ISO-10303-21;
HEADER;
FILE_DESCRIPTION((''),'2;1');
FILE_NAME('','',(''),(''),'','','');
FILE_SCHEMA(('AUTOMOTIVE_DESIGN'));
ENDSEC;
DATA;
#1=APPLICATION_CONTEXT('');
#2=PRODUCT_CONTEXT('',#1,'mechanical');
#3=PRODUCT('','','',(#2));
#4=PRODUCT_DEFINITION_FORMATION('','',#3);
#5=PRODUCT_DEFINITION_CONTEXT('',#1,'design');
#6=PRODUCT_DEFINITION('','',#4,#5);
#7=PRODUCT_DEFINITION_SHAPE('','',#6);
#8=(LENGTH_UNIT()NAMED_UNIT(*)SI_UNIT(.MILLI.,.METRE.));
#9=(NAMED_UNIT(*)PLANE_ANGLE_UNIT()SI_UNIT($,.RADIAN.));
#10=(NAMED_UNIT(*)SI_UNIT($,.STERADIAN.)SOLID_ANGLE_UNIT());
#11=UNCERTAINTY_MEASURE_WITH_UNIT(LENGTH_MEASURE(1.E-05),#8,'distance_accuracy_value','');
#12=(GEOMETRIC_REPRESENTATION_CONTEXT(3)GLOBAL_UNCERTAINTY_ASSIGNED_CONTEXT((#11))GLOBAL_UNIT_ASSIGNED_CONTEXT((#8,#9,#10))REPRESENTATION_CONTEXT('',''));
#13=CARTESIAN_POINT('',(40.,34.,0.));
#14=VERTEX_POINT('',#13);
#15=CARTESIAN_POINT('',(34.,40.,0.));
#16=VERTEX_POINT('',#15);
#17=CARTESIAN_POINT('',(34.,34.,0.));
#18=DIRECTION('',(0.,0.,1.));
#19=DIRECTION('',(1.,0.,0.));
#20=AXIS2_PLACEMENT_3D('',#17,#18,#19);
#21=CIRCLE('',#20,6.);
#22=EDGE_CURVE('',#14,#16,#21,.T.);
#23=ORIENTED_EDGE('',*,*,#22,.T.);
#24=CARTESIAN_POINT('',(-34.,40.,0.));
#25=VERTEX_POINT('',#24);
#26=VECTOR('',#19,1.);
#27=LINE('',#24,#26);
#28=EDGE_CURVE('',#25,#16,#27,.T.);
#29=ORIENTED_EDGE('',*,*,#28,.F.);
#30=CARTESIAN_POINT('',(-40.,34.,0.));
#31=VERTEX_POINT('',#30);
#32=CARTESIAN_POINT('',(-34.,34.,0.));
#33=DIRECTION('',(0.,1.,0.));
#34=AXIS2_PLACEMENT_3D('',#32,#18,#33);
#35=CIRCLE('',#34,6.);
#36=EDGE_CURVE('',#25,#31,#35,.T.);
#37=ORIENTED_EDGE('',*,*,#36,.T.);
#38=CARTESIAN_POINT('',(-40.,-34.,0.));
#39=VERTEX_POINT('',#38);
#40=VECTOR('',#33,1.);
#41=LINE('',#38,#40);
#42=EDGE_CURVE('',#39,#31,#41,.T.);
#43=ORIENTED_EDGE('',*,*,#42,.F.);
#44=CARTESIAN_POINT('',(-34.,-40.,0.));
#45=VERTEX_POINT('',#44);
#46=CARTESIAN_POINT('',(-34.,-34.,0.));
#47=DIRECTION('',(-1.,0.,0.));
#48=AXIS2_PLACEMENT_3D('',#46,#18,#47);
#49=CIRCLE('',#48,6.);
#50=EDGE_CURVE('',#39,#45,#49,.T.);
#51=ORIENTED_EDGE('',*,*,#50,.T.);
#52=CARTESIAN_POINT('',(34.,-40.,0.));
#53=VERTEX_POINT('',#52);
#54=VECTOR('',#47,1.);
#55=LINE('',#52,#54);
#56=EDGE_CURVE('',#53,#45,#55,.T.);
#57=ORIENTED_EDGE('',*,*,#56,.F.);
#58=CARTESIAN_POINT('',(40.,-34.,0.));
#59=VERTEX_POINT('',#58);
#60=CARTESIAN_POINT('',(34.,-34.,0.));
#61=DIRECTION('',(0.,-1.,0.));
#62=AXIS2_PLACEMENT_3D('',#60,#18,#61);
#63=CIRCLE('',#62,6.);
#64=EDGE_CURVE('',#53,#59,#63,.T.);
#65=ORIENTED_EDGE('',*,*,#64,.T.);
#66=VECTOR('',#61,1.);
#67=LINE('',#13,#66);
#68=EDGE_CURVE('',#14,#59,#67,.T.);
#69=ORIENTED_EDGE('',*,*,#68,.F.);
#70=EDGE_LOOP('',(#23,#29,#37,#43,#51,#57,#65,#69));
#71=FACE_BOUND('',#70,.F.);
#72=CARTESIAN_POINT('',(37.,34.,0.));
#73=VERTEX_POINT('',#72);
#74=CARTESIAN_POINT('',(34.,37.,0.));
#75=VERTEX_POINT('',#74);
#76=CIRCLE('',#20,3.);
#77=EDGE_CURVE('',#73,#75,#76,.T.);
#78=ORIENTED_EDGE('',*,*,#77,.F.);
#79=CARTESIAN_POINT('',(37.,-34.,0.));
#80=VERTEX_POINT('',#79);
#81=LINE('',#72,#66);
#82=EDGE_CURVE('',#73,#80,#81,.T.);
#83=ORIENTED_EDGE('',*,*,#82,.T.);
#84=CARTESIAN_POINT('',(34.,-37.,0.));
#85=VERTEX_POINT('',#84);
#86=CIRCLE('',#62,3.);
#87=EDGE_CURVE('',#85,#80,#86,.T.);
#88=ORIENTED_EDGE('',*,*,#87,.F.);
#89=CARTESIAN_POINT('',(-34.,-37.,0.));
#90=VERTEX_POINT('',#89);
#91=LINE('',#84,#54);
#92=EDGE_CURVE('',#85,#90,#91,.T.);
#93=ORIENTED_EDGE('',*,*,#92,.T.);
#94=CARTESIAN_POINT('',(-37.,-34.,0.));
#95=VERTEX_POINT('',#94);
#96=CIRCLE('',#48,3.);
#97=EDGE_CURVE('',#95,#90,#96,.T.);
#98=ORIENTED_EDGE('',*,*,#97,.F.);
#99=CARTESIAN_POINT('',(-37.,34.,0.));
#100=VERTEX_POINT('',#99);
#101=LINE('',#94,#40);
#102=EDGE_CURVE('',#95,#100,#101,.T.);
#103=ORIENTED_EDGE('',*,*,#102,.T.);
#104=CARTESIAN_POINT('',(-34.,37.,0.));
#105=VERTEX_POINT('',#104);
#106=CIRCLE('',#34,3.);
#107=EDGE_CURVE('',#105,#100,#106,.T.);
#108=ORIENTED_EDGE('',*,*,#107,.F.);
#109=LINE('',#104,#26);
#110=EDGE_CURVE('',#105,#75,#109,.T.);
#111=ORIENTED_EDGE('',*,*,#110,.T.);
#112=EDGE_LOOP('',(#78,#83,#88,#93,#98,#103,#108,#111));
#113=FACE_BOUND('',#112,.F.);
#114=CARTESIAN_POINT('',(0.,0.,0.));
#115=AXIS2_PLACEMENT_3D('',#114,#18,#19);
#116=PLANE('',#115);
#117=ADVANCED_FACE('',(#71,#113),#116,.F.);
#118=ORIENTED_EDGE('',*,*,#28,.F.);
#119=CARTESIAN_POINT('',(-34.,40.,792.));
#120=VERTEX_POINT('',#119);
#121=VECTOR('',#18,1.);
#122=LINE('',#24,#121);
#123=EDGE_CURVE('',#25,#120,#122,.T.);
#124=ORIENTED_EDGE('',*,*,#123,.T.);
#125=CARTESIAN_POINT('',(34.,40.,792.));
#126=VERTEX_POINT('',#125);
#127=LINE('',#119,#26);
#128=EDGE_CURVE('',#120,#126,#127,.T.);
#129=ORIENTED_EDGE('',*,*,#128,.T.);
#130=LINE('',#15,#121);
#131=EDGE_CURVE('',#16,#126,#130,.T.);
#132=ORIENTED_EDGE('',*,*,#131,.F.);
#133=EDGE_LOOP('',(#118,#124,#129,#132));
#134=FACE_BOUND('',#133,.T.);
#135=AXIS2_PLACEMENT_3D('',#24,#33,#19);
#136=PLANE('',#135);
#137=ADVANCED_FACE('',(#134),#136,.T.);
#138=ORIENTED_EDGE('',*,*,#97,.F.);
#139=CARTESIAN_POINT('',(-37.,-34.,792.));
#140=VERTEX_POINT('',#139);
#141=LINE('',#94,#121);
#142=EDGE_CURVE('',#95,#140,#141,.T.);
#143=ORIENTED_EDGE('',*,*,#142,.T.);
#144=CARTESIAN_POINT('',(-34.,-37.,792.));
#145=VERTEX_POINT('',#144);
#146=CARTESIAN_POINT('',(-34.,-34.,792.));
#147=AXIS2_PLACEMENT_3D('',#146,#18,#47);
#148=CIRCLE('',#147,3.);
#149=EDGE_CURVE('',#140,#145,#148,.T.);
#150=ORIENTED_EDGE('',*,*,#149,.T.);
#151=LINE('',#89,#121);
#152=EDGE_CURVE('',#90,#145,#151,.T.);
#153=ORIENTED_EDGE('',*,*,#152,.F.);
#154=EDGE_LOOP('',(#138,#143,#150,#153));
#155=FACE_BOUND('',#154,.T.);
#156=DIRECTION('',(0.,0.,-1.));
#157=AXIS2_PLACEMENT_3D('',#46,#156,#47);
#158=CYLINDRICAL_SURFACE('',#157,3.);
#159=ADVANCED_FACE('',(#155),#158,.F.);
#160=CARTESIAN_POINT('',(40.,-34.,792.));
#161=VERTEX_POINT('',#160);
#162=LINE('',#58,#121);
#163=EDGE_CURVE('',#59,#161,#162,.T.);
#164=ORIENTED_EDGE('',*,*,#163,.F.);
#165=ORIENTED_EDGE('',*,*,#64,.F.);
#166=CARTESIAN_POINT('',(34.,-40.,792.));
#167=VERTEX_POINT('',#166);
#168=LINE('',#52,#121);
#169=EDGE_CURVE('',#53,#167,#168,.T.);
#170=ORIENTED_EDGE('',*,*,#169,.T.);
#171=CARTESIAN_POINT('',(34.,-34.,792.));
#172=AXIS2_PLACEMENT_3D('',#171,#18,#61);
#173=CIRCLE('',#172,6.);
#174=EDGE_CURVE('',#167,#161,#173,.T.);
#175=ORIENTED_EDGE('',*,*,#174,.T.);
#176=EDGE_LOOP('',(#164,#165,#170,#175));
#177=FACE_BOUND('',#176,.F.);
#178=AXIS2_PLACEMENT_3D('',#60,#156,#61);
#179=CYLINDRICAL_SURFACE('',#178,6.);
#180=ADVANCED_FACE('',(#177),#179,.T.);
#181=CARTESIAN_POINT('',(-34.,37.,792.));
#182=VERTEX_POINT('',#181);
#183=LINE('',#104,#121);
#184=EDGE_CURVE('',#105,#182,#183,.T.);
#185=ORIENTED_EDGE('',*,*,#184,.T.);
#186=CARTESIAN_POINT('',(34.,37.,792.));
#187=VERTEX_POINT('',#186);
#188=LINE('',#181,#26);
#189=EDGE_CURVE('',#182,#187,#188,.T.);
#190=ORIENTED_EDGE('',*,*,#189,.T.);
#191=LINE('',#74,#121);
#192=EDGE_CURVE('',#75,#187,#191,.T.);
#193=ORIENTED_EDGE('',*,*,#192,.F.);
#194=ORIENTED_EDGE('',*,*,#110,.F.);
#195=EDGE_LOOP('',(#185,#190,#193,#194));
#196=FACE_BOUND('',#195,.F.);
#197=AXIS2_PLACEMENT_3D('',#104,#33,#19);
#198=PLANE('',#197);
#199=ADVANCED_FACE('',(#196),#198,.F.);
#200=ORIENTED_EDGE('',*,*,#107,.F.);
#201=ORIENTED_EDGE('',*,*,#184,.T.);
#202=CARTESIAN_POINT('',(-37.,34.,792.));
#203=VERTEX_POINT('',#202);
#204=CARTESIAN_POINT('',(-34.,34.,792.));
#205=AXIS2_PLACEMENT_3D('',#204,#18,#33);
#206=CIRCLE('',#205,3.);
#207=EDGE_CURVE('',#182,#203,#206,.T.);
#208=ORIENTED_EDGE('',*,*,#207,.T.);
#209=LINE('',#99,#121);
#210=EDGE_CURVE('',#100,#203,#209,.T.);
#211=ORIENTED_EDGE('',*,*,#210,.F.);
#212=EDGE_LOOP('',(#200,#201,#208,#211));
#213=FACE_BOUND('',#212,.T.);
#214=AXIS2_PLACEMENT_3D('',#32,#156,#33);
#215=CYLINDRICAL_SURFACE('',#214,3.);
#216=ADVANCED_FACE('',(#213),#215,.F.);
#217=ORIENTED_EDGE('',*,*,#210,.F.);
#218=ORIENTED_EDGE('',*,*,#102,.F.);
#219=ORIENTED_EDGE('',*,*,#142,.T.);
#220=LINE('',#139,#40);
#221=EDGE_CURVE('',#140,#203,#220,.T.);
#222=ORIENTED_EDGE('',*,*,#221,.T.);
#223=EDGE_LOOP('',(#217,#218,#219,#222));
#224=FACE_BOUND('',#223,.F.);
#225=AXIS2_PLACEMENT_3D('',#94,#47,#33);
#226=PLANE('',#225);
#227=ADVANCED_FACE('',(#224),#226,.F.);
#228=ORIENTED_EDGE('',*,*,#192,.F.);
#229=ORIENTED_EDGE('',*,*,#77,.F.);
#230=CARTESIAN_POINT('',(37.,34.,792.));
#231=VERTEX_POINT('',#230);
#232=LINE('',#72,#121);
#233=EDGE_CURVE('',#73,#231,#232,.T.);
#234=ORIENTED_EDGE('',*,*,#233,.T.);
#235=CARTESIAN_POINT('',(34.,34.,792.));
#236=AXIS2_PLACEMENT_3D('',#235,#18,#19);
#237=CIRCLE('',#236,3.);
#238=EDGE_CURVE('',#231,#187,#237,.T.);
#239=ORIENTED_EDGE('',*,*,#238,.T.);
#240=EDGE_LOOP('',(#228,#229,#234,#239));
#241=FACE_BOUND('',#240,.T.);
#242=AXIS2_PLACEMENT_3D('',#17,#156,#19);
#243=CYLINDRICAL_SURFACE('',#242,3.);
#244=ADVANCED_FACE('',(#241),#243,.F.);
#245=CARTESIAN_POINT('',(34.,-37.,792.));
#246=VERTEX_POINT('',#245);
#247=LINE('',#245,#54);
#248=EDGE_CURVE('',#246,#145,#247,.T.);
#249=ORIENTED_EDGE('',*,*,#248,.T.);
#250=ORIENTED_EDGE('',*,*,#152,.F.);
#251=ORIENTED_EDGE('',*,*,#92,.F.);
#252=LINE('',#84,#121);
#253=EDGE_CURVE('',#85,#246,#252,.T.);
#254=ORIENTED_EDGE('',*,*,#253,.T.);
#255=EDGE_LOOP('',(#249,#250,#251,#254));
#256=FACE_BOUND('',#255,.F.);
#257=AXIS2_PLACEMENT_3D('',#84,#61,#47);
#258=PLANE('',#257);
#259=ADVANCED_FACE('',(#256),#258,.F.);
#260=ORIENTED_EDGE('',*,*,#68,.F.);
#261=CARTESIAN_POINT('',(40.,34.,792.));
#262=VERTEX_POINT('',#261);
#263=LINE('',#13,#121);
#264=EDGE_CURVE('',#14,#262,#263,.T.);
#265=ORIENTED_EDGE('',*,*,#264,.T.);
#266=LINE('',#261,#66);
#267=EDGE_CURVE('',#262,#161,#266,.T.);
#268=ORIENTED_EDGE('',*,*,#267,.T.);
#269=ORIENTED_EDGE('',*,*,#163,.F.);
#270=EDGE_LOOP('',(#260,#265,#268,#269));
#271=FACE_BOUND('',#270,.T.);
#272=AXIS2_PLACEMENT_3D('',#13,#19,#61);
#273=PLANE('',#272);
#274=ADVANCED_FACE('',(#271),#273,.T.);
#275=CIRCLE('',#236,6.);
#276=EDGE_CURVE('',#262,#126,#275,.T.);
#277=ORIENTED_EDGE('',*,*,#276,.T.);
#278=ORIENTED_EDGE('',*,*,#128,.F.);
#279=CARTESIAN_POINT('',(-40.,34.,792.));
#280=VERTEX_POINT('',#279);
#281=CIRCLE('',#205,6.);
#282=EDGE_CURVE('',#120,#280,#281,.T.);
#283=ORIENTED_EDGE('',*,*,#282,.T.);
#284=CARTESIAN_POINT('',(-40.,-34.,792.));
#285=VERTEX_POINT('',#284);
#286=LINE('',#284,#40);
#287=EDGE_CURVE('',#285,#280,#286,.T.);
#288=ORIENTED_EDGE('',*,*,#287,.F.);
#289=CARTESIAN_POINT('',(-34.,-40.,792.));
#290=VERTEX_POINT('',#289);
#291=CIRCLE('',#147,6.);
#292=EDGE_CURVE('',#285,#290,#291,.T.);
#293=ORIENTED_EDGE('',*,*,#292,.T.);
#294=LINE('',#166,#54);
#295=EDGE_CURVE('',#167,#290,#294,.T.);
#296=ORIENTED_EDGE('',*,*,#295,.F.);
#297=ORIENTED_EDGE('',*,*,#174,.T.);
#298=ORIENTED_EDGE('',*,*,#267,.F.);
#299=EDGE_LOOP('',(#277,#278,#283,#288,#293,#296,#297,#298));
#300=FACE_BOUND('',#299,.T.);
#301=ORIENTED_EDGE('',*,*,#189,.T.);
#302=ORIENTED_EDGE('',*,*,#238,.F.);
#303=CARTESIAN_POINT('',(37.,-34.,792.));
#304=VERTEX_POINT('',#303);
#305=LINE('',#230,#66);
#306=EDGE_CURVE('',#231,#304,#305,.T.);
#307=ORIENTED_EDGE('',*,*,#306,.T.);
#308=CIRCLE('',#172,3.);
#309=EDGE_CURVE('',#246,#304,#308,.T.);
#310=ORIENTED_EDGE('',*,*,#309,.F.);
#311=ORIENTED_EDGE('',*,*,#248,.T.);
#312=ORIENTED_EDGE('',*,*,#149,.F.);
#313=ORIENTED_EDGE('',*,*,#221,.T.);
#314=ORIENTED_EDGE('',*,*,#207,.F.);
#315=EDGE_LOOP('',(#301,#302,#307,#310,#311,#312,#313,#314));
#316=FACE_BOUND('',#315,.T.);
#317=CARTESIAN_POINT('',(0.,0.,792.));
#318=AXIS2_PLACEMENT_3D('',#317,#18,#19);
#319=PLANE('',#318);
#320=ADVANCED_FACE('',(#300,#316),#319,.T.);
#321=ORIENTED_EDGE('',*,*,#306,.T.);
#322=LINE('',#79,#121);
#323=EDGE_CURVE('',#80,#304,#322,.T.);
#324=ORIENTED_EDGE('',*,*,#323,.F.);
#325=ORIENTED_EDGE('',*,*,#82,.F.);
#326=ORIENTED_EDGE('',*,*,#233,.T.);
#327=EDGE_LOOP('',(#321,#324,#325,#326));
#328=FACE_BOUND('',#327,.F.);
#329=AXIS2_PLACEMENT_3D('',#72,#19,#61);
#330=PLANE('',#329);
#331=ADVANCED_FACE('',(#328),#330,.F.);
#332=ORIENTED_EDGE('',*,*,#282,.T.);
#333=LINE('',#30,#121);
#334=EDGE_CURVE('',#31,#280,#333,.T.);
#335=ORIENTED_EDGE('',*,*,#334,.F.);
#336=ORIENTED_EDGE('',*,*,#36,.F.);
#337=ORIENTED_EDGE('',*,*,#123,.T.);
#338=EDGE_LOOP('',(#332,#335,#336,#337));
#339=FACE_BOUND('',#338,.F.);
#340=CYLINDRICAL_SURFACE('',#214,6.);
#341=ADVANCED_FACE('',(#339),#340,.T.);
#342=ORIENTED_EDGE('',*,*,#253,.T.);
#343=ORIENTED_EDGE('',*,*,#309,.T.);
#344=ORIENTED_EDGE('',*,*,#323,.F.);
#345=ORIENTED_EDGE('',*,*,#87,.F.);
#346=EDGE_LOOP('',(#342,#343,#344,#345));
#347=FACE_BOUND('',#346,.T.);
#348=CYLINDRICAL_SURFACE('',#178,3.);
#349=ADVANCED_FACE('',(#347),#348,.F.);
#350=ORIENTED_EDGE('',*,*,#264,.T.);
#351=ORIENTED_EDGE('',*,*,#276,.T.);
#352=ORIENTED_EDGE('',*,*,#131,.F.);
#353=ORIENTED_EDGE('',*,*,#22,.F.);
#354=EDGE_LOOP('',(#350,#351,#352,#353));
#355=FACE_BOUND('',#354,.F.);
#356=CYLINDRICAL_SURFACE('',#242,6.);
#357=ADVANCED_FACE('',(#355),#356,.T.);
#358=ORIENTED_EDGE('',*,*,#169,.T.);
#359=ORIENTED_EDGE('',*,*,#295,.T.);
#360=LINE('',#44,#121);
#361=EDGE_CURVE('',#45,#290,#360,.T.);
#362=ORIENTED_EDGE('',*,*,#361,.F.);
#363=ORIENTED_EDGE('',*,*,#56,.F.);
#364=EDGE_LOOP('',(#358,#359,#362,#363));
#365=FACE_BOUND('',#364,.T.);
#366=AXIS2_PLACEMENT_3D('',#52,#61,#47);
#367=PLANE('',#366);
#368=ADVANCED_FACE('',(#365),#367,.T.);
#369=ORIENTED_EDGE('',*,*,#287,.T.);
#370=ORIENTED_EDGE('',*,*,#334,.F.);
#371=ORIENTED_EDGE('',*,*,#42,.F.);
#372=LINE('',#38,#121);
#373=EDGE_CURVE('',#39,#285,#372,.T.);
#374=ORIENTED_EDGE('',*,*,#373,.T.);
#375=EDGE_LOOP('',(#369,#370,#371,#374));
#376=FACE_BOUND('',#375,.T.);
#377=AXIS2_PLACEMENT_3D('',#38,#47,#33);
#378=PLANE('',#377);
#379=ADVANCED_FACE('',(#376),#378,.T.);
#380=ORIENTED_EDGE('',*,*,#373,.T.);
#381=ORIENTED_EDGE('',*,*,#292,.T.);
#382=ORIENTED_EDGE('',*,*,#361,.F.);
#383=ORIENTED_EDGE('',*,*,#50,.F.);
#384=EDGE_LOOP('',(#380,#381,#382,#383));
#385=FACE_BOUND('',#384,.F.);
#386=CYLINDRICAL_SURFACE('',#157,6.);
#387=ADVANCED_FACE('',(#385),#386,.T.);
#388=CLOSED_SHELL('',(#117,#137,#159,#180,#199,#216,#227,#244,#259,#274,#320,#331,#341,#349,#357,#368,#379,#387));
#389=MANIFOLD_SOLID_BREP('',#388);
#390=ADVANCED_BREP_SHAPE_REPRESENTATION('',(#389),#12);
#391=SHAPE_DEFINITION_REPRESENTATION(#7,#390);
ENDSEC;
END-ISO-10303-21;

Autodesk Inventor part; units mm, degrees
ref_plane "YZ Plane" through (0, 0, 0) normal (1, 0, 0) x (0, 1, 0)
ref_plane "Start Plane" through (0, 0, 0) normal (0, 0, 1) x (1, 0, 0)
ref_plane "End Plane" through (0, 0, 792) normal (0, 0, 1) x (1, 0, 0)
sketch "Sketch" plane through (0, 0, 0) normal (0, 0, 1) x (1, 0, 0)
  line L0 (-40, -34) -> (-40, 34)
  line L1 (-34, 40) -> (34, 40)
  line L2 (40, 34) -> (40, -34)
  line L3 (34, -40) -> (-34, -40)
  arc A0 (-40, -34) -> (-34, -40) centre (-34, -34) ccw
  arc A1 (40, 34) -> (34, 40) centre (34, 34) ccw
  arc A2 (-34, 40) -> (-40, 34) centre (-34, 34) ccw
  arc A3 (34, -40) -> (40, -34) centre (34, -34) ccw
  arc A4 (-34, 37) -> (-37, 34) centre (-34, 34) ccw
  line L4 (-34, 37) -> (34, 37)
  arc A5 (37, 34) -> (34, 37) centre (34, 34) ccw
  line L5 (37, 34) -> (37, -34)
  arc A6 (34, -37) -> (37, -34) centre (34, -34) ccw
  line L6 (34, -37) -> (-34, -37)
  arc A7 (-37, -34) -> (-34, -37) centre (-34, -34) ccw
  line L7 (-37, -34) -> (-37, 34)
  line L8 (0, 57.7397) -> (0, -57.7397) construction
  line L9 (-57.7397, 0) -> (57.7397, 0) construction
  dimension "d7" = 6
  dimension "d9" = 80
  dimension "d11" = 80
  dimension "d12" = 3
  dimension "d15" = 40
  dimension "d16" = 40
extrude "Body" add sketch "Sketch" along normal blind 792 from surface at 0
sketch "Sketch3" plane through (0, 0, 0) normal (0, 0, 1) x (1, 0, 0)
  line L0 (0, 0) -> (10, 0)
ref_plane "Work Plane3" through (0, 0, 0) normal (0, -1, 0) x (1, 0, 0)
sketch "Sketch4" plane through (0, 0, 0) normal (0, -1, 0) x (1, 0, 0)
  line L0 (-2, 0) -> (12, 0) projected
  line L1 (-2, 792) -> (12, 792) projected
  dimension "d18" = 792
equation "\"d7\" = G_IR"
equation "\"d9\" = G_W"
equation "\"d11\" = G_H"
equation "\"d12\" = G_T"
equation "\"d15\" = 0.5 * d9"
equation "\"d16\" = 0.5 * d11"
equation "\"d3\" = G_L"
equation "\"G_W\" = 80"
equation "\"G_H\" = 80"
equation "\"G_T\" = 3"
equation "\"G_IR\" = 6"
equation "\"G_L\" = d18"
equation "\"G_OFFSET_START\" = 0"
equation "\"G_OFFSET_END\" = 0"
equation "\"d14\" = G_OFFSET_END + B_L"
equation "\"B_L\" = 792"
properties part number "ISO 10799-2 - 80x80x3 - 792" material "Steel, Mild"
